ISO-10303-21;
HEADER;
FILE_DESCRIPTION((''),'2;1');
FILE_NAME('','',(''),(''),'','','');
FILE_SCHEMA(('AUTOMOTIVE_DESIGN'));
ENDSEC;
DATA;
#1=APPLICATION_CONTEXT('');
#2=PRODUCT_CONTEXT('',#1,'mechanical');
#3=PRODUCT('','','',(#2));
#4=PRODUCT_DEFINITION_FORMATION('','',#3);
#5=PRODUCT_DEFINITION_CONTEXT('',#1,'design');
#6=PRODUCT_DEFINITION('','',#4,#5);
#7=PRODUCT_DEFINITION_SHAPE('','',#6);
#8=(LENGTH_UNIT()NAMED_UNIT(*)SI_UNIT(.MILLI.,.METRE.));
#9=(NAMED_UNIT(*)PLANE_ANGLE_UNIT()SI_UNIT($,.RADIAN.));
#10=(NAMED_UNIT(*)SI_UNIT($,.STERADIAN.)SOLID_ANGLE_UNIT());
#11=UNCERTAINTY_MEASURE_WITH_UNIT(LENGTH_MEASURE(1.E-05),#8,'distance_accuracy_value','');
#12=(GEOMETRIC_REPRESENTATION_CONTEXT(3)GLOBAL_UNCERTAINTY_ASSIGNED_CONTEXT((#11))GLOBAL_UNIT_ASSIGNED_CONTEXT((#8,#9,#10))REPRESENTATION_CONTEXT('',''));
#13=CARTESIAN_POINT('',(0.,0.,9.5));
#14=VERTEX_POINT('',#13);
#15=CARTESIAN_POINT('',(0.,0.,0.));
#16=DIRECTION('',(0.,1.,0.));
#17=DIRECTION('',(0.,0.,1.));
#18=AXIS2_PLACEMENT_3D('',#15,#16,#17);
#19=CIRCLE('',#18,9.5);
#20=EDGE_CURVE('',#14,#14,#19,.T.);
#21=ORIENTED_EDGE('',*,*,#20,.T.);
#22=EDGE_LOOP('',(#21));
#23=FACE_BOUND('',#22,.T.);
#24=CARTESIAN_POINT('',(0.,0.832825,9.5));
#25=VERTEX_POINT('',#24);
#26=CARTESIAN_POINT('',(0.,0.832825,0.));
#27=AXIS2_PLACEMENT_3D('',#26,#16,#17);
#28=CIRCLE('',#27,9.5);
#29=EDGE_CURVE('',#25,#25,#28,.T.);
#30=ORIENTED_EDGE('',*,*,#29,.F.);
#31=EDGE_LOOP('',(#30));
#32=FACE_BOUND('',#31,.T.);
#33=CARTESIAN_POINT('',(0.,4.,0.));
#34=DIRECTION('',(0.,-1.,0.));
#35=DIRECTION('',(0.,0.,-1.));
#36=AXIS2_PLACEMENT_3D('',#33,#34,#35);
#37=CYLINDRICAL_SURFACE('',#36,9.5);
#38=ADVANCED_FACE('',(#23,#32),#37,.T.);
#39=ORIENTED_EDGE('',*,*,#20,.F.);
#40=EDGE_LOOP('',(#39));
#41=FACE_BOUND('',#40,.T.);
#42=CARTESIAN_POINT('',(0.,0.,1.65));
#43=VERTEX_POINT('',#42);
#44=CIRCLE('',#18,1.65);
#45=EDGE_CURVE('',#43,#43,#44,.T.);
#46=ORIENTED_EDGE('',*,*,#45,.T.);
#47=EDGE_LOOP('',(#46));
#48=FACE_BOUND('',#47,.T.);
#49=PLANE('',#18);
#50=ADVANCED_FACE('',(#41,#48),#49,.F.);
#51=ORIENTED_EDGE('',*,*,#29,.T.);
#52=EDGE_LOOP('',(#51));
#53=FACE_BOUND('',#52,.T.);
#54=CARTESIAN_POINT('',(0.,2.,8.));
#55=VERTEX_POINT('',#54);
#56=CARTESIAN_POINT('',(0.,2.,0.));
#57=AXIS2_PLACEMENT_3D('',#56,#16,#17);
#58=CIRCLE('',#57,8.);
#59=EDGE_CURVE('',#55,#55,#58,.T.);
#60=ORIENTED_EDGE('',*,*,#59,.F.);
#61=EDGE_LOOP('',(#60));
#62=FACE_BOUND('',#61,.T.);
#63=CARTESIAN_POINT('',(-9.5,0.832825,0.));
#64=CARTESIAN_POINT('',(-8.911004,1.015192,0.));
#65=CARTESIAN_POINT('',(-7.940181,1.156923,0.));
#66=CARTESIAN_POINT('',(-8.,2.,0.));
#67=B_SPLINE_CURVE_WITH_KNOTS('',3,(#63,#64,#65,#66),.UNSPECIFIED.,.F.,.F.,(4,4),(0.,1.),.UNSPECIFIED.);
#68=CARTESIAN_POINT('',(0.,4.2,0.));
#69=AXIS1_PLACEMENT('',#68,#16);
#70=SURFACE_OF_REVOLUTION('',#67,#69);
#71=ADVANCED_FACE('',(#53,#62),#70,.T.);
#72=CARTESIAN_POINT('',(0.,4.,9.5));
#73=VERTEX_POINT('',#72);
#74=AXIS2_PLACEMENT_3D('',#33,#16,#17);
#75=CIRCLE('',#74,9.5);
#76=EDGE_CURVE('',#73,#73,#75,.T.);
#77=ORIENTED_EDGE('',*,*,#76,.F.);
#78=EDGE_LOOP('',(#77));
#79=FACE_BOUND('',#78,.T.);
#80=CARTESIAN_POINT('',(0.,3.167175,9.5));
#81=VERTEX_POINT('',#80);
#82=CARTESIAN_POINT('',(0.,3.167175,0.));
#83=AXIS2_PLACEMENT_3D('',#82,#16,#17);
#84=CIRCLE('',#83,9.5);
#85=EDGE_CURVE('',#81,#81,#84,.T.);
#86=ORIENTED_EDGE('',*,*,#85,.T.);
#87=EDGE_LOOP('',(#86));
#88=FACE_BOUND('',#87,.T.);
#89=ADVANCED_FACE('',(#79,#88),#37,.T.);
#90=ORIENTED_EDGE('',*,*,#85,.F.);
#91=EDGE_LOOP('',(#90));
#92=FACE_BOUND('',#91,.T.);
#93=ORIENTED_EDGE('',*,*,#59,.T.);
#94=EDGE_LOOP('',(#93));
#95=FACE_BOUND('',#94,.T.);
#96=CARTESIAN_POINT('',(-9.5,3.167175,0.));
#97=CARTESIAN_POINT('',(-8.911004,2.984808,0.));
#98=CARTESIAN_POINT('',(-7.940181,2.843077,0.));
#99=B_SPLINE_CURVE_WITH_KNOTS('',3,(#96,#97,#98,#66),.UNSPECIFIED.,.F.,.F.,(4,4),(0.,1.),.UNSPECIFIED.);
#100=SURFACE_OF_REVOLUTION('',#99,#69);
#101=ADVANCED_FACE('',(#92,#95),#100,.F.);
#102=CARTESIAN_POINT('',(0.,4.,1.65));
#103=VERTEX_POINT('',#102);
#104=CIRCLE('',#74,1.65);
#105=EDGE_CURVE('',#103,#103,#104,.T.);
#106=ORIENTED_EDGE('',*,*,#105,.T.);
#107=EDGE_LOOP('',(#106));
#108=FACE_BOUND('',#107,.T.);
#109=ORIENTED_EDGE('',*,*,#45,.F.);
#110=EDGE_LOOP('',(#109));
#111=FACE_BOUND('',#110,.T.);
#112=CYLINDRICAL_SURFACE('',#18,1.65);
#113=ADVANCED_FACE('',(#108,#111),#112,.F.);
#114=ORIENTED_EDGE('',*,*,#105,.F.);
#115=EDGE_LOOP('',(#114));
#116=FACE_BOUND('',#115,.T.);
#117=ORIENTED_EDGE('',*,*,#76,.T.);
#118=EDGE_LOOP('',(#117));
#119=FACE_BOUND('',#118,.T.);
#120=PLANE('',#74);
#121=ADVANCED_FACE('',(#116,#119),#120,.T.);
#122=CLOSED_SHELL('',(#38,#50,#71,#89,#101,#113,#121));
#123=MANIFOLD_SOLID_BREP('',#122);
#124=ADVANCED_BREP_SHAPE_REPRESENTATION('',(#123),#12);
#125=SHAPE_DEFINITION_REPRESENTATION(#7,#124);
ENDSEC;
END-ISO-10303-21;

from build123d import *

# Parameters (mm, degrees)
SKETCH1_R           = 9.5
BOSS_EXTRUDE1_DEPTH = 4
SKETCH3_R           = 1.65
CUT_EXTRUDE1_DEPTH  = 15.017845904


with BuildPart() as part:
    # Sketch1 → Boss-Extrude1 (new body)
    with BuildSketch(Plane(origin=(0, 0, 0), x_dir=(1, 0, 0), z_dir=(0, 1, 0))):
        with Locations(Location((0, 0, 0), (0, 0, 270))):
            Circle(SKETCH1_R)
    extrude(amount=BOSS_EXTRUDE1_DEPTH)

    # Sketch2 → Cut-Revolve3 (revolve, cut)
    with BuildSketch(Plane.XY, mode=Mode.PRIVATE) as cut_revolve3_sk:
        with BuildLine():
            Line((-9.5, 3.167174781), (-9.5, 0.832825219))
            add(Edge.make_bspline(
                [(-9.5, 0.832825219), (-8.911003923, 1.01519245), (-7.940181452, 1.15692307), (-8, 2)],
                knots=[0, 0, 0, 0, 1, 1, 1, 1], degree=3))
            add(Edge.make_bspline(
                [(-9.5, 3.167174781), (-8.911003923, 2.98480755), (-7.940181452, 2.84307693), (-8, 2)],
                knots=[0, 0, 0, 0, 1, 1, 1, 1], degree=3))
        make_face()
    revolve(cut_revolve3_sk.sketch.rotate(Axis((0, 4.2, 0), (0, -1, 0)), 270), axis=Axis((0, 4.2, 0), (0, -1, 0)), mode=Mode.SUBTRACT)

    # Sketch3 → Cut-Extrude1 (cut, through all)
    with BuildSketch(Plane(origin=(0, 4, 0), x_dir=(1, 0, 0), z_dir=(0, 1, 0))):
        with Locations(Location((0, 0, 0), (0, 0, 270))):
            Circle(SKETCH3_R)
    extrude(amount=-CUT_EXTRUDE1_DEPTH, mode=Mode.SUBTRACT)


solid = part.part
